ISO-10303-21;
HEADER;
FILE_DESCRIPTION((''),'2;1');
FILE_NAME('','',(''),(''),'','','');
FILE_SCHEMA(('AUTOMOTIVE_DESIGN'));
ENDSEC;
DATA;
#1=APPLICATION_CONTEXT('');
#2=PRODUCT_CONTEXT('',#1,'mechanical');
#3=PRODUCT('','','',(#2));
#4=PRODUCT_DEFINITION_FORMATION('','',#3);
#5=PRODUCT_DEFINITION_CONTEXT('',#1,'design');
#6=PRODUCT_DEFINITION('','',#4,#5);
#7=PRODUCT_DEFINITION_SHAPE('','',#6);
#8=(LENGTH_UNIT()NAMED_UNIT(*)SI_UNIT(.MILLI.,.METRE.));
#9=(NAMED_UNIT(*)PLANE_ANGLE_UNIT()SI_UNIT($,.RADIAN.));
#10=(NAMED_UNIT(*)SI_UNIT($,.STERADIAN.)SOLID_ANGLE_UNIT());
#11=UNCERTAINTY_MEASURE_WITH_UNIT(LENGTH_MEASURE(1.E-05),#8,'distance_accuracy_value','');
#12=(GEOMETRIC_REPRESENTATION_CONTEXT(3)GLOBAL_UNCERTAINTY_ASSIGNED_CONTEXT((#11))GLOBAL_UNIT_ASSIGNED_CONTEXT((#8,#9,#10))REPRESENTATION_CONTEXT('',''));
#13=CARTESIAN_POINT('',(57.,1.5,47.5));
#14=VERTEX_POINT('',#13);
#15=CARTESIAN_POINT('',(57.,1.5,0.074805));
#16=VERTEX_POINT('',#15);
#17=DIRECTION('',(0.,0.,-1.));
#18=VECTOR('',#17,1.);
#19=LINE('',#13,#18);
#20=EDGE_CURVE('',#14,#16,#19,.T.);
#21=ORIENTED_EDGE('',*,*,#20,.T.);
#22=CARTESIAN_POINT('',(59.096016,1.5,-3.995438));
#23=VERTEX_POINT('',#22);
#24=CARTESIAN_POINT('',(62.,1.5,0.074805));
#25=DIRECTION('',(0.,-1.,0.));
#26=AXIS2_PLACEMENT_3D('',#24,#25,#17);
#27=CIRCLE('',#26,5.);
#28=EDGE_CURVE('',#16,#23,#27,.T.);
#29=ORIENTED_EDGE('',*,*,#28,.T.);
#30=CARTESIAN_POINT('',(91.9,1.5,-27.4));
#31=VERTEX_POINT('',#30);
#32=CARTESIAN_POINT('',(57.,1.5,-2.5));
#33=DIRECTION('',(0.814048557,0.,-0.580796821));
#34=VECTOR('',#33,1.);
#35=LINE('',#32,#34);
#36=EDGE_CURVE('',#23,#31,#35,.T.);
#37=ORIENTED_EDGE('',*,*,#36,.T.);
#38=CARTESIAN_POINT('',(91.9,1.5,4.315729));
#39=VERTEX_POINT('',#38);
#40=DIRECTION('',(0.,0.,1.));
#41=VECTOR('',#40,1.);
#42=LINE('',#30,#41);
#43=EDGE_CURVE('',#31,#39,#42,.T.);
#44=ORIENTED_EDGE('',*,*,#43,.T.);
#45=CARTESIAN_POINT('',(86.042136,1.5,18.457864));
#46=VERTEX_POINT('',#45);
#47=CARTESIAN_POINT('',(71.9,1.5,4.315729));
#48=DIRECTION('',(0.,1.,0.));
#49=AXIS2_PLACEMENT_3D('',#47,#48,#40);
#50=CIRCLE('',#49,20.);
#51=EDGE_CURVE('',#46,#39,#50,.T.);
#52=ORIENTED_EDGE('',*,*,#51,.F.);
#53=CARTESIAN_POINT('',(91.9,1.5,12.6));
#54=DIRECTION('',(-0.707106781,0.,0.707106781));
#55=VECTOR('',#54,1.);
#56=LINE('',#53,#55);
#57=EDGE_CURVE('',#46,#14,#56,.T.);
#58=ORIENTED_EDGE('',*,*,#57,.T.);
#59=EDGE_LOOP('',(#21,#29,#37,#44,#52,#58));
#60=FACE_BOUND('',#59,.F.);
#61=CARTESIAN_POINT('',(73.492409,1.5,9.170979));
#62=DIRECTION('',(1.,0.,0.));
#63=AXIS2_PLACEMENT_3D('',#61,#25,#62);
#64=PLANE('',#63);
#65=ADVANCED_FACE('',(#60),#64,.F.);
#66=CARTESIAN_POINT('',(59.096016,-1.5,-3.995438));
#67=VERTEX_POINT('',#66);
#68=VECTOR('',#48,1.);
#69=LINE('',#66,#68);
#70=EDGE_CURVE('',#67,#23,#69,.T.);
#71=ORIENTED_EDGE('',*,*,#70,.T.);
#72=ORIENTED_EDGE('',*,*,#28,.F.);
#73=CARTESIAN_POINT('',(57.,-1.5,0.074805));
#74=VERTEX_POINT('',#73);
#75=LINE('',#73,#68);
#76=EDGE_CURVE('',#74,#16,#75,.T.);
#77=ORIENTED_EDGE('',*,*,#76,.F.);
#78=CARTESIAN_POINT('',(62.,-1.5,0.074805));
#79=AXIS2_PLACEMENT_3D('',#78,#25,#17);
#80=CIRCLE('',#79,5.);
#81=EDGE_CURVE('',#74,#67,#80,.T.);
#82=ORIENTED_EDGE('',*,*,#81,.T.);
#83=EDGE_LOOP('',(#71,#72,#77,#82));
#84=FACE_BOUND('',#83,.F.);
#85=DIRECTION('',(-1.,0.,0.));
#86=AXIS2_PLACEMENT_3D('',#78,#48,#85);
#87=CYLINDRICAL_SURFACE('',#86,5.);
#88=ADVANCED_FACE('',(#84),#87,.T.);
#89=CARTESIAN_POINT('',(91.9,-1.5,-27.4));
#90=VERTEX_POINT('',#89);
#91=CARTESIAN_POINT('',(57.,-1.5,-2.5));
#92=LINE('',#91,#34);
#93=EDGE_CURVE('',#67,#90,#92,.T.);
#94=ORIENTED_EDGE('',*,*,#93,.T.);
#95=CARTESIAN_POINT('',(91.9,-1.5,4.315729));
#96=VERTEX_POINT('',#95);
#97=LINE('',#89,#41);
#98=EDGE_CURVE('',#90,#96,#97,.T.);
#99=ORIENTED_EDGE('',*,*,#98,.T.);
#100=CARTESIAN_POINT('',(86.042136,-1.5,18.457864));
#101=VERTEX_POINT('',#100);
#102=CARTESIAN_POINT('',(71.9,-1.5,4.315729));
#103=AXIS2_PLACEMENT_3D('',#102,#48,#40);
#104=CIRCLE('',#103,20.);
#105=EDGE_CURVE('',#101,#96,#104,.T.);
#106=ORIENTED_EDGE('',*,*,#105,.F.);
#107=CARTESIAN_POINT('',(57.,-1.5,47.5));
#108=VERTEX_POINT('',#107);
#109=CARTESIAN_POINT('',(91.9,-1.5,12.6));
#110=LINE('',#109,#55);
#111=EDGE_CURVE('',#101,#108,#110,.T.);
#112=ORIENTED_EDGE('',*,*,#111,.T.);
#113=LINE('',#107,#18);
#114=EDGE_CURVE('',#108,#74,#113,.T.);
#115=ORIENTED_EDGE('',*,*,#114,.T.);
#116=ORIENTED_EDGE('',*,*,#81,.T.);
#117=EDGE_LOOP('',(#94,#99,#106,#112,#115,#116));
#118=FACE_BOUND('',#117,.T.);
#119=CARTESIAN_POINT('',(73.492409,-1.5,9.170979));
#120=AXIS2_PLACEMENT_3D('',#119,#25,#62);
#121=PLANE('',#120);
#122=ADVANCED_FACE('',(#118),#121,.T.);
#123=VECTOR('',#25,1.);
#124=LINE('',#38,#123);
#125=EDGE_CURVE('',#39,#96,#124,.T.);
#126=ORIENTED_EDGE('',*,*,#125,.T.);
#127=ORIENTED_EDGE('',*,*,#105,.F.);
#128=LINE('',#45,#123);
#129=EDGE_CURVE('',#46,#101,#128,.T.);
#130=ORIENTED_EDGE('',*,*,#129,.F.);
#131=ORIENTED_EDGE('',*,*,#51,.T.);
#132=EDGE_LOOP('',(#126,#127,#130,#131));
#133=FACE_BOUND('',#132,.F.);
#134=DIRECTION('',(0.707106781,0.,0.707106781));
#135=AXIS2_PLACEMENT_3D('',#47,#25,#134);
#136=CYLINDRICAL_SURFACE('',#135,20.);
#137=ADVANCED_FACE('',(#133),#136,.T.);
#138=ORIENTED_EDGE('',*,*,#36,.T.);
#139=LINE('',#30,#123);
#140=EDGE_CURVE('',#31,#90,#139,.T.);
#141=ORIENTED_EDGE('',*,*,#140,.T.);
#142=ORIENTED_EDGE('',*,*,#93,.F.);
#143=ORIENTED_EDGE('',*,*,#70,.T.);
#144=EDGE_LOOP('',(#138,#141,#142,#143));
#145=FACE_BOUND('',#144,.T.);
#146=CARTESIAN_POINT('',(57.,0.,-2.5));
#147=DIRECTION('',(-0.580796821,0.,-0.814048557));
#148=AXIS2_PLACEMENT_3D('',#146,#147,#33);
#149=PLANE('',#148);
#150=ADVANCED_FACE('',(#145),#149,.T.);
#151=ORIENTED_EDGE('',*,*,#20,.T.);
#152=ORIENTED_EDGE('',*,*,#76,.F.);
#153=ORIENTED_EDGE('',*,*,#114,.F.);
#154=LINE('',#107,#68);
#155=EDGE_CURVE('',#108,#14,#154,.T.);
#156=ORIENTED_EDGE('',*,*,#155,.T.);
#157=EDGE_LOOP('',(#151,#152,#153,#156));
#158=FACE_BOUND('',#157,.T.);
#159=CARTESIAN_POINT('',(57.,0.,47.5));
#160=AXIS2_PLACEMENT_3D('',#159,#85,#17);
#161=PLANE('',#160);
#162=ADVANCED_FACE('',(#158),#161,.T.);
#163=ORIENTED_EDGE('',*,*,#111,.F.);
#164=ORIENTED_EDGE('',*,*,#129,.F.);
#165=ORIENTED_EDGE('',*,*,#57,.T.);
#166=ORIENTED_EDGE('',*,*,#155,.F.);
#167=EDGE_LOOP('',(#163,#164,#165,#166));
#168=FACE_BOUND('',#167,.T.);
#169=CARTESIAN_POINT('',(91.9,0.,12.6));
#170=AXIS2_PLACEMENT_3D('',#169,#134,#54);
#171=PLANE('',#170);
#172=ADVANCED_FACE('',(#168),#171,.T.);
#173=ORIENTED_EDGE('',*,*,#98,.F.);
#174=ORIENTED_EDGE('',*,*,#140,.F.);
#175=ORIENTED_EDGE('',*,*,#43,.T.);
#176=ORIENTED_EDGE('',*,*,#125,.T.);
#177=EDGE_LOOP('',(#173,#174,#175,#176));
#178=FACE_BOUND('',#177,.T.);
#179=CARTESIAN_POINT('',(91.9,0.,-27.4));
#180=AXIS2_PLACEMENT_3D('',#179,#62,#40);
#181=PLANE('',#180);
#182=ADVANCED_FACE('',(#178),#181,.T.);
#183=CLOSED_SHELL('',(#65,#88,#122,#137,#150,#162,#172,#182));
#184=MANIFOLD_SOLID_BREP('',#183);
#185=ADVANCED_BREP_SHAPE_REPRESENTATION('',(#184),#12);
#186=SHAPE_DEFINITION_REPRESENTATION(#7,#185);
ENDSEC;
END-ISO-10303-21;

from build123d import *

# Parameters (mm, degrees)
PAD008_DEPTH            = 1.5
FILLET010_R             = 20
FILLET011_R             = 5
BODY009_PLACEMENT_ANGLE = 90


with BuildPart() as part:
    # Sketch013 → Pad008 (new body, symmetric)
    with BuildSketch(Plane.YZ):
        Polygon((27, -2.5), (61.9, -27.4), (61.9, 12.6), (27, 47.5), align=None)
    extrude(amount=PAD008_DEPTH, both=True)

    # Fillet010
    fillet010_edges = [part.edges().sort_by_distance(p)[0] for p in [
        (0, 61.9, 12.6),
    ]]
    fillet(fillet010_edges, radius=FILLET010_R)

    # Fillet011
    fillet011_edges = [part.edges().sort_by_distance(p)[0] for p in [
        (0, 27, -2.5),
    ]]
    fillet(fillet011_edges, radius=FILLET011_R)


with BuildPart() as part_1:
    # Body009 placement: moved
    add(part.part.moved(Location((30, 0, 0))).rotate(Axis((30, 0, 0), (0, 0, -1)), BODY009_PLACEMENT_ANGLE))


solid = part_1.part
